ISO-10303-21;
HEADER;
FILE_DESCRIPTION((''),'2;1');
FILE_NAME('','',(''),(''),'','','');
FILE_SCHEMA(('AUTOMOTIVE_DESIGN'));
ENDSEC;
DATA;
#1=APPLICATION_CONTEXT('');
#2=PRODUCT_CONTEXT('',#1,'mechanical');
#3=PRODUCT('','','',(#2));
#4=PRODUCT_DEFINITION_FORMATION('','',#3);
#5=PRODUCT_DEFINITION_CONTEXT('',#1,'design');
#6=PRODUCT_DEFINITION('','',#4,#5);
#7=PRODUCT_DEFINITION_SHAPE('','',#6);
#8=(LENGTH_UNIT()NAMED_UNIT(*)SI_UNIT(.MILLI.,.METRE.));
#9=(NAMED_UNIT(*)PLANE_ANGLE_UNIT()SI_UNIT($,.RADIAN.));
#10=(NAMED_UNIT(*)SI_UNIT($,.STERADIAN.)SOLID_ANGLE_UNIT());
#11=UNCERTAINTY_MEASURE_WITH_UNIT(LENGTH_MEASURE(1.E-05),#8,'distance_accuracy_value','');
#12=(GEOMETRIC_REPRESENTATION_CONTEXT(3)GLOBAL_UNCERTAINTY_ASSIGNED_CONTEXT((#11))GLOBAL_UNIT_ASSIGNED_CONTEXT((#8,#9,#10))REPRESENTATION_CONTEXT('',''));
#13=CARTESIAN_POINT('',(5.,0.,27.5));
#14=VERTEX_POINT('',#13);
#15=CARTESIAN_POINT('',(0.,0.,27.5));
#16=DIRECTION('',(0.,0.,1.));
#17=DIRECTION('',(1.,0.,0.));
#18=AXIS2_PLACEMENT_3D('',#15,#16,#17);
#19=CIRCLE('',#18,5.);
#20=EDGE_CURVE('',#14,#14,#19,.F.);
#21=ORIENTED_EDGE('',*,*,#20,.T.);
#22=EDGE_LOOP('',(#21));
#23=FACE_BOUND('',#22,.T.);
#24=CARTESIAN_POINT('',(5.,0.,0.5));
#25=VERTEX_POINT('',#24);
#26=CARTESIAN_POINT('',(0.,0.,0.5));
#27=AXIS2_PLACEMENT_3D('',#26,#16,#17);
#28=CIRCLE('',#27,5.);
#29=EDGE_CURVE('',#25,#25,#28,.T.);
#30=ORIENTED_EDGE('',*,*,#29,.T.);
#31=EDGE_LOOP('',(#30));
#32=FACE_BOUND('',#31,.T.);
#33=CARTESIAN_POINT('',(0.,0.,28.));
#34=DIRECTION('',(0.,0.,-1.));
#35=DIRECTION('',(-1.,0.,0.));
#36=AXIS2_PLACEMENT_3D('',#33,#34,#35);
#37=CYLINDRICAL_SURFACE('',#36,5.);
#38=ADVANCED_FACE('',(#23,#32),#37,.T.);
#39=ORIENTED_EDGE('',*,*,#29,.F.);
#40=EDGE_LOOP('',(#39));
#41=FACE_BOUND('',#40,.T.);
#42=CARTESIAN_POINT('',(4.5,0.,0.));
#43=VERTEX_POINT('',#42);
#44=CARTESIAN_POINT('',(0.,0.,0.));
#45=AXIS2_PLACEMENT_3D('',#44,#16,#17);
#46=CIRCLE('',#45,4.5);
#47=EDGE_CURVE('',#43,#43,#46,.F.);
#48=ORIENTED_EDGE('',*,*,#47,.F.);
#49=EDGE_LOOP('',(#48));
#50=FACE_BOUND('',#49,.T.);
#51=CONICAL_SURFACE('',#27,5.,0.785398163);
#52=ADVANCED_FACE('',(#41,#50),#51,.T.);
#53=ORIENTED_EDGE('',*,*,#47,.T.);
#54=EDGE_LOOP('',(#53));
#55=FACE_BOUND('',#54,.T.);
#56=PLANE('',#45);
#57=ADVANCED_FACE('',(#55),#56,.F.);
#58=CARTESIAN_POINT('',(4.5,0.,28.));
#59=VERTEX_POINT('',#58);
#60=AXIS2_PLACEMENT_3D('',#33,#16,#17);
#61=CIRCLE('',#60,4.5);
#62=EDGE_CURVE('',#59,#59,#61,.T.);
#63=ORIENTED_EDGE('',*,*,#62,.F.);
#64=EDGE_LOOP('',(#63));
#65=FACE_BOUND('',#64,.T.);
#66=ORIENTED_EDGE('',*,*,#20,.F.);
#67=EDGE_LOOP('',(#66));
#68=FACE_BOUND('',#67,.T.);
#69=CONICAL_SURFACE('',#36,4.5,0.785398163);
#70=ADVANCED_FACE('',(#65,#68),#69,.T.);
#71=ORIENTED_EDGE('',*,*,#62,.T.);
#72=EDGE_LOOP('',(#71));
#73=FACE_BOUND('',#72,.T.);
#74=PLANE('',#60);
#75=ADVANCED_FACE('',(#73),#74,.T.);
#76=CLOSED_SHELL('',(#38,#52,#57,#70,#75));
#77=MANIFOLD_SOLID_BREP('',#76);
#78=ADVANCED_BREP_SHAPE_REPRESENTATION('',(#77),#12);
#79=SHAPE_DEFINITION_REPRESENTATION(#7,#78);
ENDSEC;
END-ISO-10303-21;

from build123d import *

# Parameters (mm, degrees)
SKETCH1_R           = 5
BOSS_EXTRUDE1_DEPTH = 28
CHAMFER1_SIZE       = 0.5


with BuildPart() as part:
    # Sketch1 → Boss-Extrude1 (new body)
    with BuildSketch(Plane.XY):
        Circle(SKETCH1_R)
    extrude(amount=BOSS_EXTRUDE1_DEPTH)

    # Chamfer1
    chamfer1_edges = [part.edges().sort_by_distance(p)[0] for p in [
        (-5, 0, 0),
        (-5, 0, 28),
    ]]
    chamfer(chamfer1_edges, length=CHAMFER1_SIZE)


solid = part.part
